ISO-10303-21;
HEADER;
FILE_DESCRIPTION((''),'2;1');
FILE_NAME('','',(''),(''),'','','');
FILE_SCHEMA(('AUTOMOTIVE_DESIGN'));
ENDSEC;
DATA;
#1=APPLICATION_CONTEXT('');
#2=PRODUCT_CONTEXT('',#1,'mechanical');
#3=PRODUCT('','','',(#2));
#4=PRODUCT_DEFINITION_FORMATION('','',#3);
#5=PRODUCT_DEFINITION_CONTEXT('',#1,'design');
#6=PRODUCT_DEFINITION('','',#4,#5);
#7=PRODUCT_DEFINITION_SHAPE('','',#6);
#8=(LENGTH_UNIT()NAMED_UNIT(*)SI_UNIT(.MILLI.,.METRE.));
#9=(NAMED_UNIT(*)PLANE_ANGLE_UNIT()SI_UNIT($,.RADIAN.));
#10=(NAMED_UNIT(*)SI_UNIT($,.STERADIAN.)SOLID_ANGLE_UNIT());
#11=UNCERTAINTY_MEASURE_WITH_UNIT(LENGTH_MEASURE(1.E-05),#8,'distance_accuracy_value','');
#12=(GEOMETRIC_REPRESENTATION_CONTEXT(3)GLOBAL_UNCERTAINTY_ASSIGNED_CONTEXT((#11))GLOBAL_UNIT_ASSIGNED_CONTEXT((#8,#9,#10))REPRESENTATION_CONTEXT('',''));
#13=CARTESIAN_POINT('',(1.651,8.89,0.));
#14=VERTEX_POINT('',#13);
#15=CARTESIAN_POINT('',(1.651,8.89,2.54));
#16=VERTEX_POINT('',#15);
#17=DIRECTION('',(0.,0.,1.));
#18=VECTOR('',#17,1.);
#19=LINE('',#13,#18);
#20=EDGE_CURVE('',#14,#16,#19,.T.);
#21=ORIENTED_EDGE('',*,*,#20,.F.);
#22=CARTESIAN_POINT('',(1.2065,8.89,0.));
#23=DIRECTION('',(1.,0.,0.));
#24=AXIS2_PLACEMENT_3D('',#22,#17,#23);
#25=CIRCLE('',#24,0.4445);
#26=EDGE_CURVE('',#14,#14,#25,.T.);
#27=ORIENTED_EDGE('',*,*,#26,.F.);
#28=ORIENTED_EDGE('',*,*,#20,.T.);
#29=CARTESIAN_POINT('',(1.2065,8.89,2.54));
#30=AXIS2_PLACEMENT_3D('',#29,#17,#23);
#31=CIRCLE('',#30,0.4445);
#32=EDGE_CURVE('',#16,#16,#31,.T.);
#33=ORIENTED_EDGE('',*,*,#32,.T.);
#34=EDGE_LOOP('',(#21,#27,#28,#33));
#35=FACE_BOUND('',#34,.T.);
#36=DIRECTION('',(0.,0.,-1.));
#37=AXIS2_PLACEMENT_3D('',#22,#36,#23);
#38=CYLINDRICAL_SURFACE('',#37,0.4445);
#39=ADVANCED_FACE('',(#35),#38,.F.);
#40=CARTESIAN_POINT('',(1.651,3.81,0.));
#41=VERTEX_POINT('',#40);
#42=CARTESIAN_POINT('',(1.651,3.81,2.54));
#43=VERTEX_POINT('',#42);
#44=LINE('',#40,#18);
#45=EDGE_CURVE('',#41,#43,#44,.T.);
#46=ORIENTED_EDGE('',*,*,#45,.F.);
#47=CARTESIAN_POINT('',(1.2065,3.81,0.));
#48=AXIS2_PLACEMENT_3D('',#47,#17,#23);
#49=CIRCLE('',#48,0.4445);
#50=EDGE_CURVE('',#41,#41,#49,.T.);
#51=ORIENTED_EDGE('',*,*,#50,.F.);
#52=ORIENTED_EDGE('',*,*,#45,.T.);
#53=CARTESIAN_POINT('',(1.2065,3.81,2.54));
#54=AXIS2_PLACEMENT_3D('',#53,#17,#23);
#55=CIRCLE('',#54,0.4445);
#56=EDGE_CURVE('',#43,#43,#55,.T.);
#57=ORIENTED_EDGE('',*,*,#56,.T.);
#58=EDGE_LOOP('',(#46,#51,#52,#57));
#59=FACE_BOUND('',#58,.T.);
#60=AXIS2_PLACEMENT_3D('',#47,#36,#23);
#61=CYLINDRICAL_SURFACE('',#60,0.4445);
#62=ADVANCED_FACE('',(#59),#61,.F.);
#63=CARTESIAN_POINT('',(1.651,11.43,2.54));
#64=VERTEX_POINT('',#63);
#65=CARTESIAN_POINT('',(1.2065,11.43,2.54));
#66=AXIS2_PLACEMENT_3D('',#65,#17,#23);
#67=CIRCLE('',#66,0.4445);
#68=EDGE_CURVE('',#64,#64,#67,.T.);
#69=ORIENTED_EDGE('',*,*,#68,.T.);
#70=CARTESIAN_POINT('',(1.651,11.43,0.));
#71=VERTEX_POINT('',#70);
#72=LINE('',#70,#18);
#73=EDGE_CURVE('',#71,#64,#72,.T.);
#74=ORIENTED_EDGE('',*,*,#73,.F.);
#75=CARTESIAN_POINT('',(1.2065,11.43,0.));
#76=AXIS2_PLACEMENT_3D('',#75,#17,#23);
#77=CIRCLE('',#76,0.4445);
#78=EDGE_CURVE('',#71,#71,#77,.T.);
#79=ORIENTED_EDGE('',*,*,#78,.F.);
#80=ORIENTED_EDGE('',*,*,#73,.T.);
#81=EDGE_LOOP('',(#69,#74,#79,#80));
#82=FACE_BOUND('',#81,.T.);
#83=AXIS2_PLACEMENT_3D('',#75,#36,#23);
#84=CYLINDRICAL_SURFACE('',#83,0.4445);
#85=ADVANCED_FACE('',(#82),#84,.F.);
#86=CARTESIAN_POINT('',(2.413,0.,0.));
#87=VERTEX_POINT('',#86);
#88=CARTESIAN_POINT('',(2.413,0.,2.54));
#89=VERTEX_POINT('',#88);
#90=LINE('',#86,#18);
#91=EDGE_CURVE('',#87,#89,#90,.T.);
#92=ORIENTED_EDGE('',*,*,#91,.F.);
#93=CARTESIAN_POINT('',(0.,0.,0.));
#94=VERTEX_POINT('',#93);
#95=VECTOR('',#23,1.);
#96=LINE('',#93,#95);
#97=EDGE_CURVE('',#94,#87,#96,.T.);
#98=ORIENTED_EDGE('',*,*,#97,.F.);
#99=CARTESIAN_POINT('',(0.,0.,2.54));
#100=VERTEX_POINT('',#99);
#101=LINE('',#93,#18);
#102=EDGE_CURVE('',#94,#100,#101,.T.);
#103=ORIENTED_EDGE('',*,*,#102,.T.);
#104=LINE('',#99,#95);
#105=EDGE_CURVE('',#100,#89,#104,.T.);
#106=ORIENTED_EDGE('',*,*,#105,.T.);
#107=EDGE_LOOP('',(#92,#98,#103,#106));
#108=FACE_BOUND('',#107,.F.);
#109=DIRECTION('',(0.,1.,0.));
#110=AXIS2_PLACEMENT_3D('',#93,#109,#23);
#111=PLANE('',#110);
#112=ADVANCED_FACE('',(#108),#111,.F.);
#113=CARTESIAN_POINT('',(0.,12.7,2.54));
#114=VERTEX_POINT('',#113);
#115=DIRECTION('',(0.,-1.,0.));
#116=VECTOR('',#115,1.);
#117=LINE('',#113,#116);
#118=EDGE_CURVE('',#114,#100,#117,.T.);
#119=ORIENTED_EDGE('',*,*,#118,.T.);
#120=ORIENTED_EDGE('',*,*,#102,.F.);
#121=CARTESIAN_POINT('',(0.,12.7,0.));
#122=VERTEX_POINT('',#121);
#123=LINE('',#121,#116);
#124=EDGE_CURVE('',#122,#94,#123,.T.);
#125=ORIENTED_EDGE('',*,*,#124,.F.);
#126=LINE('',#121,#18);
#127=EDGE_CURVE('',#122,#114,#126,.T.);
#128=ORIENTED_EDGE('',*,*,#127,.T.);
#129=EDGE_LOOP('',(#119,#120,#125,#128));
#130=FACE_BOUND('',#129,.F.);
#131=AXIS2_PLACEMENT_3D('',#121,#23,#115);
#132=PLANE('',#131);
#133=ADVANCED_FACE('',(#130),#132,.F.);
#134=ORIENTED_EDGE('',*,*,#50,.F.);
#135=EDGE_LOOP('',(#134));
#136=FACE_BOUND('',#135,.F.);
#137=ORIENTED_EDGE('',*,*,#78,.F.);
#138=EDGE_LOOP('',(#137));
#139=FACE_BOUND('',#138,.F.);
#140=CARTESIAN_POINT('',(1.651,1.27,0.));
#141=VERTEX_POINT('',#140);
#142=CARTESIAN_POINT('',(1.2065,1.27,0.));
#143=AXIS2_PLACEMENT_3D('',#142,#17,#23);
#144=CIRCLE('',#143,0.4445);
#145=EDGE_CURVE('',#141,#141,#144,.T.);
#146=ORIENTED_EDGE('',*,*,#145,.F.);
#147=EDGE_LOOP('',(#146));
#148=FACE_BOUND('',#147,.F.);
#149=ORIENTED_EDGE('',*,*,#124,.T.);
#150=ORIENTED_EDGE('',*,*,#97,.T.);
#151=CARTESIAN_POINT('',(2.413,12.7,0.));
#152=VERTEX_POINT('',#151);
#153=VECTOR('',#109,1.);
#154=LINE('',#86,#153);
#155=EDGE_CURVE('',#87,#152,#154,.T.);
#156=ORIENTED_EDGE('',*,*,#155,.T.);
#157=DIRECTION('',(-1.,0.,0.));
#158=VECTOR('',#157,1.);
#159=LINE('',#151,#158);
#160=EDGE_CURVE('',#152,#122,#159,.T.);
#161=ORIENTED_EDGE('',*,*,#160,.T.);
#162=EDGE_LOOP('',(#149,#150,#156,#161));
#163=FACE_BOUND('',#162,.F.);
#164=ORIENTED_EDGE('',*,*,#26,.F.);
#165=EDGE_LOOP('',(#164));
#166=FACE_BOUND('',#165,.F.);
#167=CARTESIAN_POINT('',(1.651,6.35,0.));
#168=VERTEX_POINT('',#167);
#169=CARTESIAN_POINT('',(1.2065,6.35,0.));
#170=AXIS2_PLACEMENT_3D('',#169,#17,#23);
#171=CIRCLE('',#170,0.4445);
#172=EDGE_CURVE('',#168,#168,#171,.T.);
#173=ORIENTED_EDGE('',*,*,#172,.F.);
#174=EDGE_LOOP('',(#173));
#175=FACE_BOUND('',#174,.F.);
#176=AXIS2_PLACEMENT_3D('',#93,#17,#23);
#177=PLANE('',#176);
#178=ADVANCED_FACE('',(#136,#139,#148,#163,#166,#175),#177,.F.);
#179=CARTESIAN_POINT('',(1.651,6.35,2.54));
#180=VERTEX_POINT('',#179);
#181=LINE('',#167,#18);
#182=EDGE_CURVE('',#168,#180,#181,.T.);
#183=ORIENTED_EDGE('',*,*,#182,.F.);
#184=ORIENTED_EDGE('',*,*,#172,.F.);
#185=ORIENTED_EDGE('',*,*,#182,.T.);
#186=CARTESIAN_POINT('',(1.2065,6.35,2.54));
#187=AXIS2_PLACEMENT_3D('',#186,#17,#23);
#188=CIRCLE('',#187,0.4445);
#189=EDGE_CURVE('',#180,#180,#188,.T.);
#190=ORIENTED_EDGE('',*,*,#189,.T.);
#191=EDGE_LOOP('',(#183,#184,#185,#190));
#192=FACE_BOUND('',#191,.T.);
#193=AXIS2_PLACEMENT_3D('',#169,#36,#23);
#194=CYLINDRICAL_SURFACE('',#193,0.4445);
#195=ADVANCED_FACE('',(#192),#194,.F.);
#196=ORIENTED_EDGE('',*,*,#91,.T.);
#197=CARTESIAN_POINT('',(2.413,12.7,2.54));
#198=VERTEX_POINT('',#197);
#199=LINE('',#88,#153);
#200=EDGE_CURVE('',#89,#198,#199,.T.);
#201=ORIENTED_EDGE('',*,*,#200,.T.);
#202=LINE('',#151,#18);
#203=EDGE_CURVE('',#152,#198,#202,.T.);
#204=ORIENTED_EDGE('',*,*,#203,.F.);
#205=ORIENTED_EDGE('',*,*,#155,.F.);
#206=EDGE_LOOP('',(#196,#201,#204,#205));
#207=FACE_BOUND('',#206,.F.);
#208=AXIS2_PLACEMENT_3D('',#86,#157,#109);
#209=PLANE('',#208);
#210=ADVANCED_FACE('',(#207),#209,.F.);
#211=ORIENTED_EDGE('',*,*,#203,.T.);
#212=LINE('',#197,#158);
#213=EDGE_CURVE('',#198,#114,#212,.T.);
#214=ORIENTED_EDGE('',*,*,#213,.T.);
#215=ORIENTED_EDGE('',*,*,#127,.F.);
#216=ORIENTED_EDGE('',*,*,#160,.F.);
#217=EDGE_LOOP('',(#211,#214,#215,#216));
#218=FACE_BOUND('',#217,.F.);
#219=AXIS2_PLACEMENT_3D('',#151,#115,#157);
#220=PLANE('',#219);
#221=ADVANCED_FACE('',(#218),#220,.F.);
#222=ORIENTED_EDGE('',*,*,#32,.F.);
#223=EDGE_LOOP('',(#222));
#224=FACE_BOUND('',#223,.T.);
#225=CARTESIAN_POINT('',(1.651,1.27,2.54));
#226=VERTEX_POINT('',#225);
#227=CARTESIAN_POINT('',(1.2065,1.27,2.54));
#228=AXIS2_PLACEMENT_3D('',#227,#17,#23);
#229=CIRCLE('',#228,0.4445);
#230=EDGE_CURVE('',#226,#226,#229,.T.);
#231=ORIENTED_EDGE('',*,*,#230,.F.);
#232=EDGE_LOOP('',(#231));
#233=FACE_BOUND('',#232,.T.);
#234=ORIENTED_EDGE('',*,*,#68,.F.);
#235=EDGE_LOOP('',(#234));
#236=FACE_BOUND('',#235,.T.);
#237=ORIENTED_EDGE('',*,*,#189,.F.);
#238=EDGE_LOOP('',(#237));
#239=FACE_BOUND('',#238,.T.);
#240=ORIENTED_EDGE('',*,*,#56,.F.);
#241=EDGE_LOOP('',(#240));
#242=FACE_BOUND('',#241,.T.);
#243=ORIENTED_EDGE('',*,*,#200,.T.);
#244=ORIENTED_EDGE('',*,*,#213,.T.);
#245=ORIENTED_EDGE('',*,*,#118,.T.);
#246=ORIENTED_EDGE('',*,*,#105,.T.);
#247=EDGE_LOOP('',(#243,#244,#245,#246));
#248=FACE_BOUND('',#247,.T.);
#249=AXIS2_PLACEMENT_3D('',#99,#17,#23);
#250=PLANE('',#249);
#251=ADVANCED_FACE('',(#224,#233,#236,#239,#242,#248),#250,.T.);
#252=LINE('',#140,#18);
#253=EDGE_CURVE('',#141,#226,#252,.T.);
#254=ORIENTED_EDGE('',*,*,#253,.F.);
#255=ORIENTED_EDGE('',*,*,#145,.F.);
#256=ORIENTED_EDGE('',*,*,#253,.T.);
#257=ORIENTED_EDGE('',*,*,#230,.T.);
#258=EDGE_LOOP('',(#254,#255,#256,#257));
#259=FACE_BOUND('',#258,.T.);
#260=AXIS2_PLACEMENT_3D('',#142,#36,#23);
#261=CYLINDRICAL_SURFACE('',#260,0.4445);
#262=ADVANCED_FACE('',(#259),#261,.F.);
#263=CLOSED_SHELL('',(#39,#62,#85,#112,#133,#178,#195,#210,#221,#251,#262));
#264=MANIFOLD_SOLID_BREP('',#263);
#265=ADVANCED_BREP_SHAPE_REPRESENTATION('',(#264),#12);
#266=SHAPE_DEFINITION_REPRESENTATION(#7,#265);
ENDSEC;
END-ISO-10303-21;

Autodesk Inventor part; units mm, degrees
ref_plane "YZ Plane" through (0, 0, 0) normal (1, 0, 0) x (0, 1, 0)
ref_plane "XZ Plane" through (0, 0, 0) normal (0, 1, 0) x (-1, 0, 0)
ref_plane "XY Plane" through (0, 0, 0) normal (0, 0, 1) x (1, 0, 0)
sketch "Sketch1" plane through (0, 0, 0) normal (0, 0, 1) x (1, 0, 0)
  line L0 (0, 0) -> (2.413, 0)
  line L1 (2.413, 0) -> (2.413, 12.7)
  line L2 (2.413, 12.7) -> (0, 12.7)
  line L3 (0, 12.7) -> (0, 0)
  circle A0 centre (1.2065, 11.43) radius 0.4445
  circle A1 centre (1.2065, 8.89) radius 0.4445
  circle A2 centre (1.2065, 6.35) radius 0.4445
  circle A3 centre (1.2065, 3.81) radius 0.4445
  circle A4 centre (1.2065, 1.27) radius 0.4445
  dimension "d0" = 2.413
  dimension "d1" = 12.7
  dimension "d2" = 0.889
  dimension "d3" = 0.889
  dimension "d4" = 0.889
  dimension "d5" = 1.27
  dimension "d6" = 2.54
  dimension "d7" = 2.54
  dimension "d8" = 0.889
  dimension "d9" = 0.889
  dimension "d10" = 2.54
  dimension "d11" = 2.54
  dimension "d12" = 1.2065
extrude "Extrusion1" add sketch "Sketch1" along normal blind 2.54
equation "\"d12\" = 0.5 * d0"
properties part number "5 pin header"
